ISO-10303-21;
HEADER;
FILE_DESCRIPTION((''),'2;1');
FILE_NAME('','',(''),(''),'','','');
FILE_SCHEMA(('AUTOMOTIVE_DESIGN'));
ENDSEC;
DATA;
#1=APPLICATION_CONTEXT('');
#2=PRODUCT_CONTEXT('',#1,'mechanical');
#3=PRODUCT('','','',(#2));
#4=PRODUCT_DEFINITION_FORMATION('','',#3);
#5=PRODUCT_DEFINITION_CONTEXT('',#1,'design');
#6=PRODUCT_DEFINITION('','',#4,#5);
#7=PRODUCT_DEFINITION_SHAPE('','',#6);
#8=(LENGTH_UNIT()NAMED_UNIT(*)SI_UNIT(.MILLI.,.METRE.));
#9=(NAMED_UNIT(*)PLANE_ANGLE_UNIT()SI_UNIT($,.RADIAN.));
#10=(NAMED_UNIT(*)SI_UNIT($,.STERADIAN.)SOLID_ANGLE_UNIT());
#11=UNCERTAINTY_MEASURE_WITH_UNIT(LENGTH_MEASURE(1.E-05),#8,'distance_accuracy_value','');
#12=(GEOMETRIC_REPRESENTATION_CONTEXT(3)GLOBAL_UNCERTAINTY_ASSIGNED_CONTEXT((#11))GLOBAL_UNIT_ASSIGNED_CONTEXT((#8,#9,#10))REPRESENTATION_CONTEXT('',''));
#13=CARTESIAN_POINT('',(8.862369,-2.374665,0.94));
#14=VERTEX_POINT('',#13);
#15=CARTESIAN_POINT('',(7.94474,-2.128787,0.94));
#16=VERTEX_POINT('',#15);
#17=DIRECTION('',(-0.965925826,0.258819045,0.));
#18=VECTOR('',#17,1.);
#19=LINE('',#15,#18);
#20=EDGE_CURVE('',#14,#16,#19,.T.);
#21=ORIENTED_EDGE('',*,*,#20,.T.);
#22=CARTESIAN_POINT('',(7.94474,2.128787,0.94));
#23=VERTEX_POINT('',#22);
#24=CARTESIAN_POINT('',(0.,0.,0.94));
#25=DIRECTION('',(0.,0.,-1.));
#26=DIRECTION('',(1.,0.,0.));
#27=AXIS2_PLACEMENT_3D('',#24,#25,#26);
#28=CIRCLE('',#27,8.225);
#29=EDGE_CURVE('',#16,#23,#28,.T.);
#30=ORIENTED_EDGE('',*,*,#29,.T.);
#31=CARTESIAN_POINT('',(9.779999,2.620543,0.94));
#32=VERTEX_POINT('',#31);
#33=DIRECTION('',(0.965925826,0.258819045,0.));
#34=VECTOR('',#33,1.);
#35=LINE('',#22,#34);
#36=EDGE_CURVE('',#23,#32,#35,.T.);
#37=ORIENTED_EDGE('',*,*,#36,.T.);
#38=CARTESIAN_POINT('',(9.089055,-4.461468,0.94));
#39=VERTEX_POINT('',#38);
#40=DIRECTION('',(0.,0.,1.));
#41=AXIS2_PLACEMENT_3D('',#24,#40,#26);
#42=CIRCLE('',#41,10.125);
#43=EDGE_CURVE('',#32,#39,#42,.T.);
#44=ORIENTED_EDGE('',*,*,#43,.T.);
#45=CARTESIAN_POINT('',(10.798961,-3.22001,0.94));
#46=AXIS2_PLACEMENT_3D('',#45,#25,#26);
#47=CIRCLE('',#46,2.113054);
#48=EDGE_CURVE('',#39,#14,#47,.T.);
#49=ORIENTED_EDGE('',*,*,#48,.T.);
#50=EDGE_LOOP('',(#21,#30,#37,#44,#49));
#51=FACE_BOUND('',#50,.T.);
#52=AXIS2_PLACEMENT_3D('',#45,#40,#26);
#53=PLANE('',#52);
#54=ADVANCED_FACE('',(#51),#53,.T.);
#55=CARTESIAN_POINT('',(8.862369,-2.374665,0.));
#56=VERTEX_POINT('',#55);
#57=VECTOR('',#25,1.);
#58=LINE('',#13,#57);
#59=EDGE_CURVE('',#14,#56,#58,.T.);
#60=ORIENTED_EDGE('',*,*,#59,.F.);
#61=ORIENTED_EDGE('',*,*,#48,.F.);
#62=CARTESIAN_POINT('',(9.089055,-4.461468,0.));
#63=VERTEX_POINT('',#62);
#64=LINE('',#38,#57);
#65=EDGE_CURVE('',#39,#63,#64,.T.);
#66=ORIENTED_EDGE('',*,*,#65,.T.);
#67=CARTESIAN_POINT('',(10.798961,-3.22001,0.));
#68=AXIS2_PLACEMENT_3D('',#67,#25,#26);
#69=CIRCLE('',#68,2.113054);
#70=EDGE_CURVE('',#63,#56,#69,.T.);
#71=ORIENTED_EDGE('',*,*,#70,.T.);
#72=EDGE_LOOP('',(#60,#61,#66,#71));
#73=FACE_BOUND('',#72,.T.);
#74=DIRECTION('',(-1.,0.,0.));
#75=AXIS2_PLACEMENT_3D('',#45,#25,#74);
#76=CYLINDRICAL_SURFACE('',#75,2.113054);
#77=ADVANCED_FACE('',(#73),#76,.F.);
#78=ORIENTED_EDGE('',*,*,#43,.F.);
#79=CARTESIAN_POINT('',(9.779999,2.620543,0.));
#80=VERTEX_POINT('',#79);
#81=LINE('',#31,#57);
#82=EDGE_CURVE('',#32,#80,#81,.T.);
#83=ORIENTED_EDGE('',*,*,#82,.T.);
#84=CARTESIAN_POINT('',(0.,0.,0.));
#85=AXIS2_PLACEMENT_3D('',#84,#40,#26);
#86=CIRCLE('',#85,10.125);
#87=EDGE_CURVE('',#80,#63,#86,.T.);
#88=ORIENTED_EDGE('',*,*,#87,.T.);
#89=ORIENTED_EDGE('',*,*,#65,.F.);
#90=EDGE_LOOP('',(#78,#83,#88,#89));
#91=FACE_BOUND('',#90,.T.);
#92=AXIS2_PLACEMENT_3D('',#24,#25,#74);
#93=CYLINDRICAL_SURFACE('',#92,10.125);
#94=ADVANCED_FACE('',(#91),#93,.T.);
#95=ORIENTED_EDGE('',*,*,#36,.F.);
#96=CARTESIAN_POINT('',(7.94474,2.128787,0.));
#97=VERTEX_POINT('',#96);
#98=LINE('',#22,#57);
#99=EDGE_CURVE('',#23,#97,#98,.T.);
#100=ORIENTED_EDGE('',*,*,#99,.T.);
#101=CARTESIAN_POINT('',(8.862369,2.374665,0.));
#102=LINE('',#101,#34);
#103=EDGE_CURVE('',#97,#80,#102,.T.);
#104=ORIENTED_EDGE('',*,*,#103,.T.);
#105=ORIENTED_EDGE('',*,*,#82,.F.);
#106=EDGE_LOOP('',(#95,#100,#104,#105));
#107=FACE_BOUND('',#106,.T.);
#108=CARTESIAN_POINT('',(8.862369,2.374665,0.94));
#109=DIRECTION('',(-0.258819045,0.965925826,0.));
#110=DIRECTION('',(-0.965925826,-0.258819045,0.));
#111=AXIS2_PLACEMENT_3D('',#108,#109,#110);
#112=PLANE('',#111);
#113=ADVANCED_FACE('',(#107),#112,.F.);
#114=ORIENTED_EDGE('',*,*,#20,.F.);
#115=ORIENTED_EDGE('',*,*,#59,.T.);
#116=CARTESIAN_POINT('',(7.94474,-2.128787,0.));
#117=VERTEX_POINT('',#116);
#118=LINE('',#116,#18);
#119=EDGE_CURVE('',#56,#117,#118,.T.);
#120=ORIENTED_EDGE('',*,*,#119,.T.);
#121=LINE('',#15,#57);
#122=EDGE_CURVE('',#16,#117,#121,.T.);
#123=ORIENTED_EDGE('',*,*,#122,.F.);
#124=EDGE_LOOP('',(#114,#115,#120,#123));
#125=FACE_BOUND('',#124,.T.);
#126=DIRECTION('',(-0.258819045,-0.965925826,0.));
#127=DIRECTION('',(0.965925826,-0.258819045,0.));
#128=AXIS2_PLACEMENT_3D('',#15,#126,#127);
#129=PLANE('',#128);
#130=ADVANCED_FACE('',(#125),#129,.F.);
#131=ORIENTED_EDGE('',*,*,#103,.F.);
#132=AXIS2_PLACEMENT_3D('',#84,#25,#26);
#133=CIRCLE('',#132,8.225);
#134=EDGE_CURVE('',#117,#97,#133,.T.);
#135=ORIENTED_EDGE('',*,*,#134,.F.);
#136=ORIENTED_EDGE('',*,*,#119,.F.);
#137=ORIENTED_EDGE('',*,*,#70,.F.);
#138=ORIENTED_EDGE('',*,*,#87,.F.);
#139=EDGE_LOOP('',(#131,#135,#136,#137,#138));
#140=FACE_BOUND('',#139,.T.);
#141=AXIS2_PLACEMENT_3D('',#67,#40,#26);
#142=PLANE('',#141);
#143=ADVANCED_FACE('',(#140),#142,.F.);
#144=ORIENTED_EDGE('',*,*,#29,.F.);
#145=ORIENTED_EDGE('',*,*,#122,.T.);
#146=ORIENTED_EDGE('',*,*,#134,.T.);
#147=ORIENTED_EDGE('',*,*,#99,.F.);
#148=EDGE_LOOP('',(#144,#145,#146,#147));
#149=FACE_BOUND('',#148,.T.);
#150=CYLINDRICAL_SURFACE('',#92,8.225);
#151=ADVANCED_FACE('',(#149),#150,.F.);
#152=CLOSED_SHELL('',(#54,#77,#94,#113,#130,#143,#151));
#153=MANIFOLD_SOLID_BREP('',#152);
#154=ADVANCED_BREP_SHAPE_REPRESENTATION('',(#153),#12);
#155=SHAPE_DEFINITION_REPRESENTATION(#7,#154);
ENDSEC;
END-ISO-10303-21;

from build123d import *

# Parameters (mm, degrees)
BOSS_EXTRUDE1_DEPTH = 0.94


with BuildPart() as part:
    # Sketch2 → Boss-Extrude1 (new body)
    with BuildSketch(Plane.XY):
        with BuildLine():
            Line((7.944739921, 2.128786646), (8.862369456, 2.374664739))
            Line((8.862369456, 2.374664739), (9.779998991, 2.620542832))
            ThreePointArc((9.779998991, 2.620542832), (-10.077153498, 0.983159385), (9.089055299, -4.46146823))
            ThreePointArc((9.089055299, -4.46146823), (8.698265252, -3.448205084), (8.862369456, -2.374664739))
            Line((8.862369456, -2.374664739), (7.944739921, -2.128786646))
            ThreePointArc((7.944739921, -2.128786646), (-8.225, 0), (7.944739921, 2.128786646))
        make_face()
    extrude(amount=BOSS_EXTRUDE1_DEPTH)


solid = part.part
